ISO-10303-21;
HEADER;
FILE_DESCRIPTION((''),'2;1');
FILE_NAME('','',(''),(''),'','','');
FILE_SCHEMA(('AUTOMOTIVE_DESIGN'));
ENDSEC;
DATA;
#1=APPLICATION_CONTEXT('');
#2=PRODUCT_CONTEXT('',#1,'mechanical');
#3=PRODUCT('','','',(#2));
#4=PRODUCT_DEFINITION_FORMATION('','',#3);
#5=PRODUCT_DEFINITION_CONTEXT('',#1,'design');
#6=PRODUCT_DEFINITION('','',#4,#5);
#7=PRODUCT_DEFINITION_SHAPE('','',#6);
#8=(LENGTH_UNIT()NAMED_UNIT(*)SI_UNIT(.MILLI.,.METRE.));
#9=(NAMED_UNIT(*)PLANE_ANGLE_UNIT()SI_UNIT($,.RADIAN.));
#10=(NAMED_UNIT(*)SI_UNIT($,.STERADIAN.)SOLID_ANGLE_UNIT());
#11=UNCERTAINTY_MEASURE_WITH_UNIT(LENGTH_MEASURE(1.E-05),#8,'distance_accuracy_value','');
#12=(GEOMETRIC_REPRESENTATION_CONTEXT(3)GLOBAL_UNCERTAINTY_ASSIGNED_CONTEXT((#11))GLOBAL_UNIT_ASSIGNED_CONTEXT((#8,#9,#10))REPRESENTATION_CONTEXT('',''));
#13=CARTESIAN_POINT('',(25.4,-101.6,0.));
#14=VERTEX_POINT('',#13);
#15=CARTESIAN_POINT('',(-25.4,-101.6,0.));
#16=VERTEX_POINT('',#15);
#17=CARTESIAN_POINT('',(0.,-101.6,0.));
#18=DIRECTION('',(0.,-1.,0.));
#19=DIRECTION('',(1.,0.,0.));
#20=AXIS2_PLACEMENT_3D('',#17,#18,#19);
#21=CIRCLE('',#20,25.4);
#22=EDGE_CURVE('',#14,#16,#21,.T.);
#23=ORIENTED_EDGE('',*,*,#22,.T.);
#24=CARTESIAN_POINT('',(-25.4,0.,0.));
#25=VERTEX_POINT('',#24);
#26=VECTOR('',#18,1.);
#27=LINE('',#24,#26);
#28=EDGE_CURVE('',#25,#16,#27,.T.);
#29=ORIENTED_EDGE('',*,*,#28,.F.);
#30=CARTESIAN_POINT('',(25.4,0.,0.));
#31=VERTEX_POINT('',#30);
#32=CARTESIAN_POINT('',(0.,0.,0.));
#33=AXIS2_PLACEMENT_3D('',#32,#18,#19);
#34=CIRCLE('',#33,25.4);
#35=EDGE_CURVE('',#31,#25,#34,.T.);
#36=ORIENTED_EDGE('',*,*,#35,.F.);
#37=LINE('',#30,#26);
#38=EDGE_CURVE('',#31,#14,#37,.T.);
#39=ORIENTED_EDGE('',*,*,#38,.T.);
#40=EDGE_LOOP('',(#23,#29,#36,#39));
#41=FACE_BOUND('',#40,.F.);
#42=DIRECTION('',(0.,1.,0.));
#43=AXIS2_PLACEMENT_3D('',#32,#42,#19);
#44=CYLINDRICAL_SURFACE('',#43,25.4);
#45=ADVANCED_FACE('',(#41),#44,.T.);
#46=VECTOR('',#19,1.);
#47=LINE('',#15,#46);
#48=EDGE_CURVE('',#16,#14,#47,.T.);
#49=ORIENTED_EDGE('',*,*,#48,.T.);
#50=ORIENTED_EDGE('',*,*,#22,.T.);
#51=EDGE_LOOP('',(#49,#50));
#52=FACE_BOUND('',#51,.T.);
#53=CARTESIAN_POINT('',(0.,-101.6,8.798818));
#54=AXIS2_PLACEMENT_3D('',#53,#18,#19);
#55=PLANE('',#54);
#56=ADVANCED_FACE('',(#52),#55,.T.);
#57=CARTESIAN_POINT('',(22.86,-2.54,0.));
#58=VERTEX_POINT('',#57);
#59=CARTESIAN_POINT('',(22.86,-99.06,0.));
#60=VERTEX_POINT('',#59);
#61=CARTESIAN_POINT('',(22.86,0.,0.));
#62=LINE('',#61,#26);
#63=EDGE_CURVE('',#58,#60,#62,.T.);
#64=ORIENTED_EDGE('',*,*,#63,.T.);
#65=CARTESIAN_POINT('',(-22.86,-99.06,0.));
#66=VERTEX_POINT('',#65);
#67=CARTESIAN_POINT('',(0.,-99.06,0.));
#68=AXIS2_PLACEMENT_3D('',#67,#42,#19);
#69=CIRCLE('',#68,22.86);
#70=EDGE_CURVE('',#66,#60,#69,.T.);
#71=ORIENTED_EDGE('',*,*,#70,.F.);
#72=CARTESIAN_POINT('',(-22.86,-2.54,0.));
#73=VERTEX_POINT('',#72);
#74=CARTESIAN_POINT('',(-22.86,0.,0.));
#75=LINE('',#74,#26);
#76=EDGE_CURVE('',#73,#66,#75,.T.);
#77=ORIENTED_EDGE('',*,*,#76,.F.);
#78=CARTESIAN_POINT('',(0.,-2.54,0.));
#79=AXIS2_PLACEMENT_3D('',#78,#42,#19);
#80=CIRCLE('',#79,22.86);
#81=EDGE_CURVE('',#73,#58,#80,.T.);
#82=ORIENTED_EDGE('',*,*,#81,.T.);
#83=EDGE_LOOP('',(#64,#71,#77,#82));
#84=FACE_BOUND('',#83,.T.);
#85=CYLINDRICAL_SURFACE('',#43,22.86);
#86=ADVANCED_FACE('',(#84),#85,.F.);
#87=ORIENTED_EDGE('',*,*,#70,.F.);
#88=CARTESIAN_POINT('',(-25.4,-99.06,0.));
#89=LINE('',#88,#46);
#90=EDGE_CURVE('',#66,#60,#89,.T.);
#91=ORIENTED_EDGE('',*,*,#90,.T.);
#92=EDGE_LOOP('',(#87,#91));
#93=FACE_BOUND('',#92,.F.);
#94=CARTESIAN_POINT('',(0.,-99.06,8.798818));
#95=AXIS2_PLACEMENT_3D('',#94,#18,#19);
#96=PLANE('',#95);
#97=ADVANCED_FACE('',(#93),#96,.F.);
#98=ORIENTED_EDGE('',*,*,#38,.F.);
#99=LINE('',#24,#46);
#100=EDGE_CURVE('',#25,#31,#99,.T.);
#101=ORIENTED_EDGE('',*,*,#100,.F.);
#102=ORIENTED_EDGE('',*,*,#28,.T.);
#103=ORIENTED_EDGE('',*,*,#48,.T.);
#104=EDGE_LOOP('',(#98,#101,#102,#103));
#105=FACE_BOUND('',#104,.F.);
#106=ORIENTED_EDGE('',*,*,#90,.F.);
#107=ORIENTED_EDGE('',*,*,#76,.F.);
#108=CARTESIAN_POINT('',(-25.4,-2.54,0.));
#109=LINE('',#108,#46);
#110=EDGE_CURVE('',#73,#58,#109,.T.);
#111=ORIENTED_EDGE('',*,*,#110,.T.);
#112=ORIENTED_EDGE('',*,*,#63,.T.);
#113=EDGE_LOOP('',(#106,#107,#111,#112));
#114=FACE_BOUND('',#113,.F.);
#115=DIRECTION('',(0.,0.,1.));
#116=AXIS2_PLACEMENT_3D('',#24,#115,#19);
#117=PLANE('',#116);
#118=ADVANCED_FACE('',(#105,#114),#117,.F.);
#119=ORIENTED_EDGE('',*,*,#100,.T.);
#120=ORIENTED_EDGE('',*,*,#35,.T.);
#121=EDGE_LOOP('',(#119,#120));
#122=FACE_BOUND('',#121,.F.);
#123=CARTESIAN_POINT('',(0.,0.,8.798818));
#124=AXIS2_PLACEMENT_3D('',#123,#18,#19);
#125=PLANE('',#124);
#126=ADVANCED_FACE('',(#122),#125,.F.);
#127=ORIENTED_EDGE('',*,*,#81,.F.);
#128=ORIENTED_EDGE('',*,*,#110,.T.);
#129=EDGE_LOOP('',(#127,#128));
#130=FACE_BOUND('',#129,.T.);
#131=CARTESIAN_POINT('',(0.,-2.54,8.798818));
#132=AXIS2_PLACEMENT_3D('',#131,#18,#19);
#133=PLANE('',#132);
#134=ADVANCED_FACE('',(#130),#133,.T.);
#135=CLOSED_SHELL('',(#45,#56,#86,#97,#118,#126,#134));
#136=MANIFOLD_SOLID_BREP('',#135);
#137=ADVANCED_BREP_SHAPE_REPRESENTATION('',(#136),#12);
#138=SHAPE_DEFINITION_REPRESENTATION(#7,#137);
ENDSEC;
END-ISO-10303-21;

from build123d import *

# Parameters (mm, degrees)
F1_DEPTH = 101.6
F2_T     = -2.54


with BuildPart() as f1:
    # F0 (on Front) → F1 (new body)
    with BuildSketch(Plane.XZ):
        with BuildLine():
            Line((-25.4, 0), (25.4, 0))
            ThreePointArc((25.4, 0), (0, 25.4), (-25.4, 0))
        make_face()
    extrude(amount=F1_DEPTH)

    # F2
    f2_openings = [f1.faces().sort_by_distance(p)[0] for p in [
        (0, -50.8, 0),
    ]]
    offset(amount=F2_T, openings=f2_openings)


solid = f1.part
